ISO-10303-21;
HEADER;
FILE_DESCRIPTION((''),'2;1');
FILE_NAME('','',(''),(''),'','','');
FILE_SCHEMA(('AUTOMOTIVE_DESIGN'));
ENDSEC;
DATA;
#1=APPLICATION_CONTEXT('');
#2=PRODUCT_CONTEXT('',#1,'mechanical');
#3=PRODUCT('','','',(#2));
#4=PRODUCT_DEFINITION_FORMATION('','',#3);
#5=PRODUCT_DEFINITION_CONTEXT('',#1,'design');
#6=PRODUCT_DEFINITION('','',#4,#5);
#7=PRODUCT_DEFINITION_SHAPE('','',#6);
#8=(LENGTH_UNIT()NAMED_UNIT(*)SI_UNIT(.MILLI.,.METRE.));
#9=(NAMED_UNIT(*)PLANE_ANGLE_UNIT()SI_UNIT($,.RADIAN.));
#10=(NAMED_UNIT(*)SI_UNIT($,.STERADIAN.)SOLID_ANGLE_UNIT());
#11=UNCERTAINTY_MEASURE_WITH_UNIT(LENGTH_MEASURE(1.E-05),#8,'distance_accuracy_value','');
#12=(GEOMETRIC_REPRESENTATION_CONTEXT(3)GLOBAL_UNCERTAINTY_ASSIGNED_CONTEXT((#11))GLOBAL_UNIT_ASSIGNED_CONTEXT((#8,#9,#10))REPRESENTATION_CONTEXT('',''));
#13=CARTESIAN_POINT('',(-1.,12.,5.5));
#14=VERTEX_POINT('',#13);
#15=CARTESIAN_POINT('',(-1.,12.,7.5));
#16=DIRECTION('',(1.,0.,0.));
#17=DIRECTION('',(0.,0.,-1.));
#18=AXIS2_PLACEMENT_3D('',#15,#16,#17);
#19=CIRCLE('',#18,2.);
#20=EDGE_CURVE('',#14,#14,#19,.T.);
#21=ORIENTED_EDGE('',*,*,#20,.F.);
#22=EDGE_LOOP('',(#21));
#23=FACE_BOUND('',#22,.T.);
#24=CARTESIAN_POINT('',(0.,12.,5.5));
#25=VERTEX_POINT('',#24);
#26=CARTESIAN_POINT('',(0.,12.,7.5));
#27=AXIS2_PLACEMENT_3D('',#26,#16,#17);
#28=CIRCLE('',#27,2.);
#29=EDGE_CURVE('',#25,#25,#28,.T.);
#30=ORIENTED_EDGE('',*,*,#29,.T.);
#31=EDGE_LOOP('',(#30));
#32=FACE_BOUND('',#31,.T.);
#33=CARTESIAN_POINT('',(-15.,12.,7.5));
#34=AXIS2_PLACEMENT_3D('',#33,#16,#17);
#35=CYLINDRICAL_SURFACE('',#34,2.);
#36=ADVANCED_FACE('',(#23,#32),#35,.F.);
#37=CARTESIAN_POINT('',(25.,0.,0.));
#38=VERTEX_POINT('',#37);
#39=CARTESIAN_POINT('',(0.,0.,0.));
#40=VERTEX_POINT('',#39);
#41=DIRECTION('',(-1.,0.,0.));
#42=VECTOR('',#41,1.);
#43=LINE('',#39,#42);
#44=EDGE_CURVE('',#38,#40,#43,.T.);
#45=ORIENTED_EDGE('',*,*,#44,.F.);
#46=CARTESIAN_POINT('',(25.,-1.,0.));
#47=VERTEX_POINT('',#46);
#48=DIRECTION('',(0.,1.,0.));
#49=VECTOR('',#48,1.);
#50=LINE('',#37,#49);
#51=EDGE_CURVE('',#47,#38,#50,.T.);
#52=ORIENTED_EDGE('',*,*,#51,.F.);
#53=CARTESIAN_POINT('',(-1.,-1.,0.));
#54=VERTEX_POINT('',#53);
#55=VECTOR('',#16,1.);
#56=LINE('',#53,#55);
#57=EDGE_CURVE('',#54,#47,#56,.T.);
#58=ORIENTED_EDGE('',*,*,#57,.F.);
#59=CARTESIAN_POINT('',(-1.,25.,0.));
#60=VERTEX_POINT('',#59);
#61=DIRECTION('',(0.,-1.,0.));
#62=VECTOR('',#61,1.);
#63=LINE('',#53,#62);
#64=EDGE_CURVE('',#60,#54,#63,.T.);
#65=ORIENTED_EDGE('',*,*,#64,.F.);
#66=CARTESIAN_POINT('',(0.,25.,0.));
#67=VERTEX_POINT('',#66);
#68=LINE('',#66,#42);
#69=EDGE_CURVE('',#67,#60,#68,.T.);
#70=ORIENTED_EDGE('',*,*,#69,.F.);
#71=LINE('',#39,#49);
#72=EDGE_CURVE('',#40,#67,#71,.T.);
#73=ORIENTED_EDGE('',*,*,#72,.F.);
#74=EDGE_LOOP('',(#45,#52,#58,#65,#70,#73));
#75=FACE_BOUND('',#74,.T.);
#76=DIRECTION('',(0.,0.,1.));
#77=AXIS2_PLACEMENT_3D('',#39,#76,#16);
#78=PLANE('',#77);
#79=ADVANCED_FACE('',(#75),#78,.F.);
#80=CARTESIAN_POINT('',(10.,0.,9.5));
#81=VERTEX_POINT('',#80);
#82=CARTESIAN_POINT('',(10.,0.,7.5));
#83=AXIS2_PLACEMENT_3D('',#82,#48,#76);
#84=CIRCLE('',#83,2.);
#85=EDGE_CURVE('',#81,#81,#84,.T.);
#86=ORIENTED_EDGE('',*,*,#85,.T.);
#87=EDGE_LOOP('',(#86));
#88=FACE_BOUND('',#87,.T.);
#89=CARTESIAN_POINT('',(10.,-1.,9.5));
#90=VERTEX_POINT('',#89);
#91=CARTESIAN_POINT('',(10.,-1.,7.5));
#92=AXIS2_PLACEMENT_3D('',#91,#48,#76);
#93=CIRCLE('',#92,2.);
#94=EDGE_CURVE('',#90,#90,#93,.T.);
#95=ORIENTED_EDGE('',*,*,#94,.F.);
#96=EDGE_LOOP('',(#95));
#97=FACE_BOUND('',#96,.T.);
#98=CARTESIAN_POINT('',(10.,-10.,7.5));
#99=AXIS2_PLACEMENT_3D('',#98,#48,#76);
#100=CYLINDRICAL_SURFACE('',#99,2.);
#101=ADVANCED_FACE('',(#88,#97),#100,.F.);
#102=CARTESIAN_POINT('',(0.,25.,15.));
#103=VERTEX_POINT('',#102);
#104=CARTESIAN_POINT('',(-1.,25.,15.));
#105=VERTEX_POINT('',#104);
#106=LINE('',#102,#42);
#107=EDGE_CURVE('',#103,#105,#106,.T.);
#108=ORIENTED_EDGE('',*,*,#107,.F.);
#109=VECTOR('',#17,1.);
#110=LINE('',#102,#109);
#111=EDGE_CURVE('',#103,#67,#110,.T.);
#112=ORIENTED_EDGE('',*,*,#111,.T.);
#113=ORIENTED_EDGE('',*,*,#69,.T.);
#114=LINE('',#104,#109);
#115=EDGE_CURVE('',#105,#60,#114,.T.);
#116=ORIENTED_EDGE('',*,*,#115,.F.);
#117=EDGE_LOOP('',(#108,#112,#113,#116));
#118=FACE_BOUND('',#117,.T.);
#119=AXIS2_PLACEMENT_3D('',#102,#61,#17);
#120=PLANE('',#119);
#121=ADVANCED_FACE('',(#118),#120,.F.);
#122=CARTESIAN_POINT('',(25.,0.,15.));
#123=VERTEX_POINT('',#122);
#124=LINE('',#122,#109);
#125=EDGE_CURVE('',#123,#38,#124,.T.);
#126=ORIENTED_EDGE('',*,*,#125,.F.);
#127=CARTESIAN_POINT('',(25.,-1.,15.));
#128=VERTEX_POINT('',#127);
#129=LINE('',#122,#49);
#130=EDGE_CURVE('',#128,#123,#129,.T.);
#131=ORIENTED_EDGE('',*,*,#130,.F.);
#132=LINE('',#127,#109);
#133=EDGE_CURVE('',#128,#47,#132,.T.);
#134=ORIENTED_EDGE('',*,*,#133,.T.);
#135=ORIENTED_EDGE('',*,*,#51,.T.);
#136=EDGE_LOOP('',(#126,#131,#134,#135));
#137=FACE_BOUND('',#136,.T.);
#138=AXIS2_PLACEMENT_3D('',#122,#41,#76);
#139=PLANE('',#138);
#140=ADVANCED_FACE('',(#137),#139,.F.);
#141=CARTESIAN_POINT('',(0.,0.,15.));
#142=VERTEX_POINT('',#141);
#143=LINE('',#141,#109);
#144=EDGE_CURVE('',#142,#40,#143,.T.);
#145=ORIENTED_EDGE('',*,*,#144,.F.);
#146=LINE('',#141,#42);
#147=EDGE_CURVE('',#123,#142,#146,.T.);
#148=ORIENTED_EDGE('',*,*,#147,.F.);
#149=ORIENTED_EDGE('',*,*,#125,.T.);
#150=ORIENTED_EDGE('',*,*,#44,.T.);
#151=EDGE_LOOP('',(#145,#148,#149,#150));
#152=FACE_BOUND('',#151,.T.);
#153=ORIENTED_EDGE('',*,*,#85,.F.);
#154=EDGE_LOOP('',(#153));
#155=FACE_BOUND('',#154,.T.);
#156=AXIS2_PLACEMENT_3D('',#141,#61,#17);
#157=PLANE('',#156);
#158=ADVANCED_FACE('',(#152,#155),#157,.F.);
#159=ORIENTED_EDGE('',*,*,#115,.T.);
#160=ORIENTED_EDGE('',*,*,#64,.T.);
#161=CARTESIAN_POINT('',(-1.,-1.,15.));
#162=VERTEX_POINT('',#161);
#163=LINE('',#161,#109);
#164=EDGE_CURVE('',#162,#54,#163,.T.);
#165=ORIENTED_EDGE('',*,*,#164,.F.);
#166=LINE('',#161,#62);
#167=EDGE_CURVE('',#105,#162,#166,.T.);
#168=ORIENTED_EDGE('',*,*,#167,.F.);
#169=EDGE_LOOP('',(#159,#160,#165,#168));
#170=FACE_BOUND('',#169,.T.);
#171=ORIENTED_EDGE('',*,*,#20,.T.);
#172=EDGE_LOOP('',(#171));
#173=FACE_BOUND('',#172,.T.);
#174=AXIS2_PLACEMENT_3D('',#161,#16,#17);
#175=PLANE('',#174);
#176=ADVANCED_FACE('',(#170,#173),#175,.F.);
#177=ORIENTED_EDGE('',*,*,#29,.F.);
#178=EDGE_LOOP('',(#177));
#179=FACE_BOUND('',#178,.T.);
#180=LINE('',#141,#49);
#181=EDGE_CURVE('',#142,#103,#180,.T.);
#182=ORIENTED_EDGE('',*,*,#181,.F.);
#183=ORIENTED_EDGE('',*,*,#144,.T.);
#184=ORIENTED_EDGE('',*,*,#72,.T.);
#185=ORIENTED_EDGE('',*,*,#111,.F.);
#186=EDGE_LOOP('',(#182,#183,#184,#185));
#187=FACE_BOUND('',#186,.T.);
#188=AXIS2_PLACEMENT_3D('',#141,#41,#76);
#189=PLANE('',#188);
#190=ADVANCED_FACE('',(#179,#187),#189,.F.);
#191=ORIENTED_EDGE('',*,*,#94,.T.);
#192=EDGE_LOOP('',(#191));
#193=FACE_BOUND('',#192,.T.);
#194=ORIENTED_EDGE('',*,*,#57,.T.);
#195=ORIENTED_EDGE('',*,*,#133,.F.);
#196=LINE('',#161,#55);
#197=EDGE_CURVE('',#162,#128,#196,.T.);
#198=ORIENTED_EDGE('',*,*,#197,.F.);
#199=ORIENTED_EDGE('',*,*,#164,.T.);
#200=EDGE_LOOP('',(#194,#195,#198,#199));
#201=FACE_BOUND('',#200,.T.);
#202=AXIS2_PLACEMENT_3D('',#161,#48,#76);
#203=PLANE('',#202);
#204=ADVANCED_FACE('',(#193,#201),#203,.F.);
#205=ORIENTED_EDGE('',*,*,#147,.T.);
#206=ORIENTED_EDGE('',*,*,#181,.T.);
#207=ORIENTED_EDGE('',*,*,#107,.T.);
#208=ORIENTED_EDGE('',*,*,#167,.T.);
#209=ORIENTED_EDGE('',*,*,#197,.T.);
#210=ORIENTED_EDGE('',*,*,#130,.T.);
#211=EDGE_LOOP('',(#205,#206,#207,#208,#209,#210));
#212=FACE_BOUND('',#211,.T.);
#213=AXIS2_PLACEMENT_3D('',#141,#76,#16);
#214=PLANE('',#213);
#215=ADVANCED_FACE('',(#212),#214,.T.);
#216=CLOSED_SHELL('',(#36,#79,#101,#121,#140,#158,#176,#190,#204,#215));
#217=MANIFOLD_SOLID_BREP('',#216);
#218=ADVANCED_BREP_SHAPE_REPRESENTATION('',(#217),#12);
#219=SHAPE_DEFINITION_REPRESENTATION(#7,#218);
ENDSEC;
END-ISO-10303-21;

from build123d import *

# Parameters (mm, degrees)
RESSALTO_EXTRUS_O1_DEPTH = 15
ESBO_O2_R                = 2
CORTE_EXTRUS_O1_DEPTH    = 15
ESBO_O3_R                = 2
CORTE_EXTRUS_O2_DEPTH    = 10


with BuildPart() as part:
    # Esboço1 → Ressalto-extrusão1 (new body)
    with BuildSketch(Plane.XY):
        Polygon((0, 0), (25, 0), (25, -1), (-1, -1), (-1, 25), (0, 25), align=None)
    extrude(amount=RESSALTO_EXTRUS_O1_DEPTH)

    # Esboço2 → Corte-extrusão1 (cut)
    with BuildSketch(Plane(origin=(0, 0, 0), x_dir=(0, 0, -1), z_dir=(1, 0, 0))):
        with Locations((-7.5, 12)):
            Circle(ESBO_O2_R)
    extrude(amount=-CORTE_EXTRUS_O1_DEPTH, mode=Mode.SUBTRACT)

    # Esboço3 → Corte-extrusão2 (cut)
    with BuildSketch(Plane(origin=(0, 0, 0), x_dir=(1, 0, 0), z_dir=(0, 1, 0))):
        with Locations((10, -7.5)):
            Circle(ESBO_O3_R)
    extrude(amount=-CORTE_EXTRUS_O2_DEPTH, mode=Mode.SUBTRACT)


solid = part.part
